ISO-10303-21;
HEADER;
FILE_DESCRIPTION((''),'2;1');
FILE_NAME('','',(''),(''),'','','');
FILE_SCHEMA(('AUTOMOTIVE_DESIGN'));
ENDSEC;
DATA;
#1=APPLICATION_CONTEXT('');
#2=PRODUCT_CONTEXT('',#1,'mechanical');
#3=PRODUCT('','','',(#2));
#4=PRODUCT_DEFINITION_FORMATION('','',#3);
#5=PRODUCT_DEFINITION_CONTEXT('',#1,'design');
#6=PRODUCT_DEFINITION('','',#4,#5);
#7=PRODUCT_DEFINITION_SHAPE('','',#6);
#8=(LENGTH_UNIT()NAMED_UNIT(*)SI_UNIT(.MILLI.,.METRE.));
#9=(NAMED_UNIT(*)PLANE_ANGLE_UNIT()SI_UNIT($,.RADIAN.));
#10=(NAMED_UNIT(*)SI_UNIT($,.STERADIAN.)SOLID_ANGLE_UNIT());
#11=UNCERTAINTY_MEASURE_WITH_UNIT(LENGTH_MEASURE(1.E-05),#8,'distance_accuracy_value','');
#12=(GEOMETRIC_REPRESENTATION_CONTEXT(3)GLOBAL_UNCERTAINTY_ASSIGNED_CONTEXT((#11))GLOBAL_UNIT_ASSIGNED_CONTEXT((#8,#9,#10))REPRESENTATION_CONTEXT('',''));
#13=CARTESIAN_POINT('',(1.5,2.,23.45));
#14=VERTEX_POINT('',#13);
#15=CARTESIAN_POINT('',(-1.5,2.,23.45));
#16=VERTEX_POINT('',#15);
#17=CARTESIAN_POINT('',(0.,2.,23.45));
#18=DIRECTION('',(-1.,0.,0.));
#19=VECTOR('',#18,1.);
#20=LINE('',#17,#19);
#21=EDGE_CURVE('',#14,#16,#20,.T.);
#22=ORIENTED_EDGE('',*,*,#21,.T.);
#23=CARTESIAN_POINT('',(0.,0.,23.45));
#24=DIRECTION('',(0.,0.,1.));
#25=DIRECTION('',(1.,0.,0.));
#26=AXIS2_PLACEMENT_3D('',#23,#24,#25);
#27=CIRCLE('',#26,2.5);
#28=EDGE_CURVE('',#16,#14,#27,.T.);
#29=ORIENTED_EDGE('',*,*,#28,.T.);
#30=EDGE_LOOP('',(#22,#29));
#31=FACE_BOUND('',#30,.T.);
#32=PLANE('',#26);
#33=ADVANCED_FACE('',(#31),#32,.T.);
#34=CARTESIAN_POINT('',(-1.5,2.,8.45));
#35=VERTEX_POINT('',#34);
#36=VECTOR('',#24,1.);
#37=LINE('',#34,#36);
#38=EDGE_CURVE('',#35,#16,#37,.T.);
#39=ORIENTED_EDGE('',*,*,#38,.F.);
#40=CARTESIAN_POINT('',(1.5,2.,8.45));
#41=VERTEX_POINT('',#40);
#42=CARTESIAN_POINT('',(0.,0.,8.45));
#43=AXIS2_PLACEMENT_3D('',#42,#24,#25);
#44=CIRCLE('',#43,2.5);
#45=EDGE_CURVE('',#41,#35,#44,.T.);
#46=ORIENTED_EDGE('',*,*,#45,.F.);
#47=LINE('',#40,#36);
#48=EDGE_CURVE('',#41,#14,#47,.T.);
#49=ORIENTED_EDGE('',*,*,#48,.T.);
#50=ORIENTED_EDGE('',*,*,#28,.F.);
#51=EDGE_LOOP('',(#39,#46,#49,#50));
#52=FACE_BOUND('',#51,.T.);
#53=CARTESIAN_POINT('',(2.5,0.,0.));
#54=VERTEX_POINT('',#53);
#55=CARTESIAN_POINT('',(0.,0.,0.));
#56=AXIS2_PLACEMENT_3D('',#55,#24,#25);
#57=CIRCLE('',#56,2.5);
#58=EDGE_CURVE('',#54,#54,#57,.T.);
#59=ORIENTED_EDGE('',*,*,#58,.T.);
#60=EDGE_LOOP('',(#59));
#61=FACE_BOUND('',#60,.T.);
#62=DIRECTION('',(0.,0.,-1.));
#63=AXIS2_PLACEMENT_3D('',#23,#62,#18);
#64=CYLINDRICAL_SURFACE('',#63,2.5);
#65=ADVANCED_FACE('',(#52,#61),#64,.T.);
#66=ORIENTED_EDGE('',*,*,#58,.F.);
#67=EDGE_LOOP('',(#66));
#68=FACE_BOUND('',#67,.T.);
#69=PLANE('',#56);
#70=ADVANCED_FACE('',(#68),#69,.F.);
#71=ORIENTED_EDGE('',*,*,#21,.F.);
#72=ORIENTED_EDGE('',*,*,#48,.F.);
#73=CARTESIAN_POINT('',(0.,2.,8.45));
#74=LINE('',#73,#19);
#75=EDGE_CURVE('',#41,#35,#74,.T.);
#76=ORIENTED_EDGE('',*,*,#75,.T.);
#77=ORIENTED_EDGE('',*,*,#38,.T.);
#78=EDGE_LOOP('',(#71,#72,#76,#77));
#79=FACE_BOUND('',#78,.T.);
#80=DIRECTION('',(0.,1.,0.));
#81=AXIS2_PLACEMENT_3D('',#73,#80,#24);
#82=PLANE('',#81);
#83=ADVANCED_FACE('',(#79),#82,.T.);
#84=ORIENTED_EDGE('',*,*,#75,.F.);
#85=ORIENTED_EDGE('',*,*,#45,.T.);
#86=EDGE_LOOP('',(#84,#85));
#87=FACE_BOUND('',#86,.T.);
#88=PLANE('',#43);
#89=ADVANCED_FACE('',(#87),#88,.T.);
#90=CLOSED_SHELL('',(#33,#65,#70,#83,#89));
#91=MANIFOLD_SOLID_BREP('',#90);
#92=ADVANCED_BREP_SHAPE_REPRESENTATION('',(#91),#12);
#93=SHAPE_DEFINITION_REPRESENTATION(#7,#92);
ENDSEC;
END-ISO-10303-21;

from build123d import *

# Parameters (mm, degrees)
SKETCH1_R           = 2.5
BOSS_EXTRUDE1_DEPTH = 23.45
CUT_EXTRUDE1_START  = -15
CUT_EXTRUDE1_DEPTH  = 15


with BuildPart() as part:
    # Sketch1 → Boss-Extrude1 (new body)
    with BuildSketch(Plane.XY):
        Circle(SKETCH1_R)
    extrude(amount=BOSS_EXTRUDE1_DEPTH)

    # Sketch2 → Cut-Extrude1 (cut)
    with BuildSketch(Plane.XY.offset(23.45).offset(CUT_EXTRUDE1_START)):
        with BuildLine():
            Line((-1.5, 2), (1.5, 2))
            ThreePointArc((1.5, 2), (0, 2.5), (-1.5, 2))
        make_face()
    extrude(amount=CUT_EXTRUDE1_DEPTH, mode=Mode.SUBTRACT)


solid = part.part
